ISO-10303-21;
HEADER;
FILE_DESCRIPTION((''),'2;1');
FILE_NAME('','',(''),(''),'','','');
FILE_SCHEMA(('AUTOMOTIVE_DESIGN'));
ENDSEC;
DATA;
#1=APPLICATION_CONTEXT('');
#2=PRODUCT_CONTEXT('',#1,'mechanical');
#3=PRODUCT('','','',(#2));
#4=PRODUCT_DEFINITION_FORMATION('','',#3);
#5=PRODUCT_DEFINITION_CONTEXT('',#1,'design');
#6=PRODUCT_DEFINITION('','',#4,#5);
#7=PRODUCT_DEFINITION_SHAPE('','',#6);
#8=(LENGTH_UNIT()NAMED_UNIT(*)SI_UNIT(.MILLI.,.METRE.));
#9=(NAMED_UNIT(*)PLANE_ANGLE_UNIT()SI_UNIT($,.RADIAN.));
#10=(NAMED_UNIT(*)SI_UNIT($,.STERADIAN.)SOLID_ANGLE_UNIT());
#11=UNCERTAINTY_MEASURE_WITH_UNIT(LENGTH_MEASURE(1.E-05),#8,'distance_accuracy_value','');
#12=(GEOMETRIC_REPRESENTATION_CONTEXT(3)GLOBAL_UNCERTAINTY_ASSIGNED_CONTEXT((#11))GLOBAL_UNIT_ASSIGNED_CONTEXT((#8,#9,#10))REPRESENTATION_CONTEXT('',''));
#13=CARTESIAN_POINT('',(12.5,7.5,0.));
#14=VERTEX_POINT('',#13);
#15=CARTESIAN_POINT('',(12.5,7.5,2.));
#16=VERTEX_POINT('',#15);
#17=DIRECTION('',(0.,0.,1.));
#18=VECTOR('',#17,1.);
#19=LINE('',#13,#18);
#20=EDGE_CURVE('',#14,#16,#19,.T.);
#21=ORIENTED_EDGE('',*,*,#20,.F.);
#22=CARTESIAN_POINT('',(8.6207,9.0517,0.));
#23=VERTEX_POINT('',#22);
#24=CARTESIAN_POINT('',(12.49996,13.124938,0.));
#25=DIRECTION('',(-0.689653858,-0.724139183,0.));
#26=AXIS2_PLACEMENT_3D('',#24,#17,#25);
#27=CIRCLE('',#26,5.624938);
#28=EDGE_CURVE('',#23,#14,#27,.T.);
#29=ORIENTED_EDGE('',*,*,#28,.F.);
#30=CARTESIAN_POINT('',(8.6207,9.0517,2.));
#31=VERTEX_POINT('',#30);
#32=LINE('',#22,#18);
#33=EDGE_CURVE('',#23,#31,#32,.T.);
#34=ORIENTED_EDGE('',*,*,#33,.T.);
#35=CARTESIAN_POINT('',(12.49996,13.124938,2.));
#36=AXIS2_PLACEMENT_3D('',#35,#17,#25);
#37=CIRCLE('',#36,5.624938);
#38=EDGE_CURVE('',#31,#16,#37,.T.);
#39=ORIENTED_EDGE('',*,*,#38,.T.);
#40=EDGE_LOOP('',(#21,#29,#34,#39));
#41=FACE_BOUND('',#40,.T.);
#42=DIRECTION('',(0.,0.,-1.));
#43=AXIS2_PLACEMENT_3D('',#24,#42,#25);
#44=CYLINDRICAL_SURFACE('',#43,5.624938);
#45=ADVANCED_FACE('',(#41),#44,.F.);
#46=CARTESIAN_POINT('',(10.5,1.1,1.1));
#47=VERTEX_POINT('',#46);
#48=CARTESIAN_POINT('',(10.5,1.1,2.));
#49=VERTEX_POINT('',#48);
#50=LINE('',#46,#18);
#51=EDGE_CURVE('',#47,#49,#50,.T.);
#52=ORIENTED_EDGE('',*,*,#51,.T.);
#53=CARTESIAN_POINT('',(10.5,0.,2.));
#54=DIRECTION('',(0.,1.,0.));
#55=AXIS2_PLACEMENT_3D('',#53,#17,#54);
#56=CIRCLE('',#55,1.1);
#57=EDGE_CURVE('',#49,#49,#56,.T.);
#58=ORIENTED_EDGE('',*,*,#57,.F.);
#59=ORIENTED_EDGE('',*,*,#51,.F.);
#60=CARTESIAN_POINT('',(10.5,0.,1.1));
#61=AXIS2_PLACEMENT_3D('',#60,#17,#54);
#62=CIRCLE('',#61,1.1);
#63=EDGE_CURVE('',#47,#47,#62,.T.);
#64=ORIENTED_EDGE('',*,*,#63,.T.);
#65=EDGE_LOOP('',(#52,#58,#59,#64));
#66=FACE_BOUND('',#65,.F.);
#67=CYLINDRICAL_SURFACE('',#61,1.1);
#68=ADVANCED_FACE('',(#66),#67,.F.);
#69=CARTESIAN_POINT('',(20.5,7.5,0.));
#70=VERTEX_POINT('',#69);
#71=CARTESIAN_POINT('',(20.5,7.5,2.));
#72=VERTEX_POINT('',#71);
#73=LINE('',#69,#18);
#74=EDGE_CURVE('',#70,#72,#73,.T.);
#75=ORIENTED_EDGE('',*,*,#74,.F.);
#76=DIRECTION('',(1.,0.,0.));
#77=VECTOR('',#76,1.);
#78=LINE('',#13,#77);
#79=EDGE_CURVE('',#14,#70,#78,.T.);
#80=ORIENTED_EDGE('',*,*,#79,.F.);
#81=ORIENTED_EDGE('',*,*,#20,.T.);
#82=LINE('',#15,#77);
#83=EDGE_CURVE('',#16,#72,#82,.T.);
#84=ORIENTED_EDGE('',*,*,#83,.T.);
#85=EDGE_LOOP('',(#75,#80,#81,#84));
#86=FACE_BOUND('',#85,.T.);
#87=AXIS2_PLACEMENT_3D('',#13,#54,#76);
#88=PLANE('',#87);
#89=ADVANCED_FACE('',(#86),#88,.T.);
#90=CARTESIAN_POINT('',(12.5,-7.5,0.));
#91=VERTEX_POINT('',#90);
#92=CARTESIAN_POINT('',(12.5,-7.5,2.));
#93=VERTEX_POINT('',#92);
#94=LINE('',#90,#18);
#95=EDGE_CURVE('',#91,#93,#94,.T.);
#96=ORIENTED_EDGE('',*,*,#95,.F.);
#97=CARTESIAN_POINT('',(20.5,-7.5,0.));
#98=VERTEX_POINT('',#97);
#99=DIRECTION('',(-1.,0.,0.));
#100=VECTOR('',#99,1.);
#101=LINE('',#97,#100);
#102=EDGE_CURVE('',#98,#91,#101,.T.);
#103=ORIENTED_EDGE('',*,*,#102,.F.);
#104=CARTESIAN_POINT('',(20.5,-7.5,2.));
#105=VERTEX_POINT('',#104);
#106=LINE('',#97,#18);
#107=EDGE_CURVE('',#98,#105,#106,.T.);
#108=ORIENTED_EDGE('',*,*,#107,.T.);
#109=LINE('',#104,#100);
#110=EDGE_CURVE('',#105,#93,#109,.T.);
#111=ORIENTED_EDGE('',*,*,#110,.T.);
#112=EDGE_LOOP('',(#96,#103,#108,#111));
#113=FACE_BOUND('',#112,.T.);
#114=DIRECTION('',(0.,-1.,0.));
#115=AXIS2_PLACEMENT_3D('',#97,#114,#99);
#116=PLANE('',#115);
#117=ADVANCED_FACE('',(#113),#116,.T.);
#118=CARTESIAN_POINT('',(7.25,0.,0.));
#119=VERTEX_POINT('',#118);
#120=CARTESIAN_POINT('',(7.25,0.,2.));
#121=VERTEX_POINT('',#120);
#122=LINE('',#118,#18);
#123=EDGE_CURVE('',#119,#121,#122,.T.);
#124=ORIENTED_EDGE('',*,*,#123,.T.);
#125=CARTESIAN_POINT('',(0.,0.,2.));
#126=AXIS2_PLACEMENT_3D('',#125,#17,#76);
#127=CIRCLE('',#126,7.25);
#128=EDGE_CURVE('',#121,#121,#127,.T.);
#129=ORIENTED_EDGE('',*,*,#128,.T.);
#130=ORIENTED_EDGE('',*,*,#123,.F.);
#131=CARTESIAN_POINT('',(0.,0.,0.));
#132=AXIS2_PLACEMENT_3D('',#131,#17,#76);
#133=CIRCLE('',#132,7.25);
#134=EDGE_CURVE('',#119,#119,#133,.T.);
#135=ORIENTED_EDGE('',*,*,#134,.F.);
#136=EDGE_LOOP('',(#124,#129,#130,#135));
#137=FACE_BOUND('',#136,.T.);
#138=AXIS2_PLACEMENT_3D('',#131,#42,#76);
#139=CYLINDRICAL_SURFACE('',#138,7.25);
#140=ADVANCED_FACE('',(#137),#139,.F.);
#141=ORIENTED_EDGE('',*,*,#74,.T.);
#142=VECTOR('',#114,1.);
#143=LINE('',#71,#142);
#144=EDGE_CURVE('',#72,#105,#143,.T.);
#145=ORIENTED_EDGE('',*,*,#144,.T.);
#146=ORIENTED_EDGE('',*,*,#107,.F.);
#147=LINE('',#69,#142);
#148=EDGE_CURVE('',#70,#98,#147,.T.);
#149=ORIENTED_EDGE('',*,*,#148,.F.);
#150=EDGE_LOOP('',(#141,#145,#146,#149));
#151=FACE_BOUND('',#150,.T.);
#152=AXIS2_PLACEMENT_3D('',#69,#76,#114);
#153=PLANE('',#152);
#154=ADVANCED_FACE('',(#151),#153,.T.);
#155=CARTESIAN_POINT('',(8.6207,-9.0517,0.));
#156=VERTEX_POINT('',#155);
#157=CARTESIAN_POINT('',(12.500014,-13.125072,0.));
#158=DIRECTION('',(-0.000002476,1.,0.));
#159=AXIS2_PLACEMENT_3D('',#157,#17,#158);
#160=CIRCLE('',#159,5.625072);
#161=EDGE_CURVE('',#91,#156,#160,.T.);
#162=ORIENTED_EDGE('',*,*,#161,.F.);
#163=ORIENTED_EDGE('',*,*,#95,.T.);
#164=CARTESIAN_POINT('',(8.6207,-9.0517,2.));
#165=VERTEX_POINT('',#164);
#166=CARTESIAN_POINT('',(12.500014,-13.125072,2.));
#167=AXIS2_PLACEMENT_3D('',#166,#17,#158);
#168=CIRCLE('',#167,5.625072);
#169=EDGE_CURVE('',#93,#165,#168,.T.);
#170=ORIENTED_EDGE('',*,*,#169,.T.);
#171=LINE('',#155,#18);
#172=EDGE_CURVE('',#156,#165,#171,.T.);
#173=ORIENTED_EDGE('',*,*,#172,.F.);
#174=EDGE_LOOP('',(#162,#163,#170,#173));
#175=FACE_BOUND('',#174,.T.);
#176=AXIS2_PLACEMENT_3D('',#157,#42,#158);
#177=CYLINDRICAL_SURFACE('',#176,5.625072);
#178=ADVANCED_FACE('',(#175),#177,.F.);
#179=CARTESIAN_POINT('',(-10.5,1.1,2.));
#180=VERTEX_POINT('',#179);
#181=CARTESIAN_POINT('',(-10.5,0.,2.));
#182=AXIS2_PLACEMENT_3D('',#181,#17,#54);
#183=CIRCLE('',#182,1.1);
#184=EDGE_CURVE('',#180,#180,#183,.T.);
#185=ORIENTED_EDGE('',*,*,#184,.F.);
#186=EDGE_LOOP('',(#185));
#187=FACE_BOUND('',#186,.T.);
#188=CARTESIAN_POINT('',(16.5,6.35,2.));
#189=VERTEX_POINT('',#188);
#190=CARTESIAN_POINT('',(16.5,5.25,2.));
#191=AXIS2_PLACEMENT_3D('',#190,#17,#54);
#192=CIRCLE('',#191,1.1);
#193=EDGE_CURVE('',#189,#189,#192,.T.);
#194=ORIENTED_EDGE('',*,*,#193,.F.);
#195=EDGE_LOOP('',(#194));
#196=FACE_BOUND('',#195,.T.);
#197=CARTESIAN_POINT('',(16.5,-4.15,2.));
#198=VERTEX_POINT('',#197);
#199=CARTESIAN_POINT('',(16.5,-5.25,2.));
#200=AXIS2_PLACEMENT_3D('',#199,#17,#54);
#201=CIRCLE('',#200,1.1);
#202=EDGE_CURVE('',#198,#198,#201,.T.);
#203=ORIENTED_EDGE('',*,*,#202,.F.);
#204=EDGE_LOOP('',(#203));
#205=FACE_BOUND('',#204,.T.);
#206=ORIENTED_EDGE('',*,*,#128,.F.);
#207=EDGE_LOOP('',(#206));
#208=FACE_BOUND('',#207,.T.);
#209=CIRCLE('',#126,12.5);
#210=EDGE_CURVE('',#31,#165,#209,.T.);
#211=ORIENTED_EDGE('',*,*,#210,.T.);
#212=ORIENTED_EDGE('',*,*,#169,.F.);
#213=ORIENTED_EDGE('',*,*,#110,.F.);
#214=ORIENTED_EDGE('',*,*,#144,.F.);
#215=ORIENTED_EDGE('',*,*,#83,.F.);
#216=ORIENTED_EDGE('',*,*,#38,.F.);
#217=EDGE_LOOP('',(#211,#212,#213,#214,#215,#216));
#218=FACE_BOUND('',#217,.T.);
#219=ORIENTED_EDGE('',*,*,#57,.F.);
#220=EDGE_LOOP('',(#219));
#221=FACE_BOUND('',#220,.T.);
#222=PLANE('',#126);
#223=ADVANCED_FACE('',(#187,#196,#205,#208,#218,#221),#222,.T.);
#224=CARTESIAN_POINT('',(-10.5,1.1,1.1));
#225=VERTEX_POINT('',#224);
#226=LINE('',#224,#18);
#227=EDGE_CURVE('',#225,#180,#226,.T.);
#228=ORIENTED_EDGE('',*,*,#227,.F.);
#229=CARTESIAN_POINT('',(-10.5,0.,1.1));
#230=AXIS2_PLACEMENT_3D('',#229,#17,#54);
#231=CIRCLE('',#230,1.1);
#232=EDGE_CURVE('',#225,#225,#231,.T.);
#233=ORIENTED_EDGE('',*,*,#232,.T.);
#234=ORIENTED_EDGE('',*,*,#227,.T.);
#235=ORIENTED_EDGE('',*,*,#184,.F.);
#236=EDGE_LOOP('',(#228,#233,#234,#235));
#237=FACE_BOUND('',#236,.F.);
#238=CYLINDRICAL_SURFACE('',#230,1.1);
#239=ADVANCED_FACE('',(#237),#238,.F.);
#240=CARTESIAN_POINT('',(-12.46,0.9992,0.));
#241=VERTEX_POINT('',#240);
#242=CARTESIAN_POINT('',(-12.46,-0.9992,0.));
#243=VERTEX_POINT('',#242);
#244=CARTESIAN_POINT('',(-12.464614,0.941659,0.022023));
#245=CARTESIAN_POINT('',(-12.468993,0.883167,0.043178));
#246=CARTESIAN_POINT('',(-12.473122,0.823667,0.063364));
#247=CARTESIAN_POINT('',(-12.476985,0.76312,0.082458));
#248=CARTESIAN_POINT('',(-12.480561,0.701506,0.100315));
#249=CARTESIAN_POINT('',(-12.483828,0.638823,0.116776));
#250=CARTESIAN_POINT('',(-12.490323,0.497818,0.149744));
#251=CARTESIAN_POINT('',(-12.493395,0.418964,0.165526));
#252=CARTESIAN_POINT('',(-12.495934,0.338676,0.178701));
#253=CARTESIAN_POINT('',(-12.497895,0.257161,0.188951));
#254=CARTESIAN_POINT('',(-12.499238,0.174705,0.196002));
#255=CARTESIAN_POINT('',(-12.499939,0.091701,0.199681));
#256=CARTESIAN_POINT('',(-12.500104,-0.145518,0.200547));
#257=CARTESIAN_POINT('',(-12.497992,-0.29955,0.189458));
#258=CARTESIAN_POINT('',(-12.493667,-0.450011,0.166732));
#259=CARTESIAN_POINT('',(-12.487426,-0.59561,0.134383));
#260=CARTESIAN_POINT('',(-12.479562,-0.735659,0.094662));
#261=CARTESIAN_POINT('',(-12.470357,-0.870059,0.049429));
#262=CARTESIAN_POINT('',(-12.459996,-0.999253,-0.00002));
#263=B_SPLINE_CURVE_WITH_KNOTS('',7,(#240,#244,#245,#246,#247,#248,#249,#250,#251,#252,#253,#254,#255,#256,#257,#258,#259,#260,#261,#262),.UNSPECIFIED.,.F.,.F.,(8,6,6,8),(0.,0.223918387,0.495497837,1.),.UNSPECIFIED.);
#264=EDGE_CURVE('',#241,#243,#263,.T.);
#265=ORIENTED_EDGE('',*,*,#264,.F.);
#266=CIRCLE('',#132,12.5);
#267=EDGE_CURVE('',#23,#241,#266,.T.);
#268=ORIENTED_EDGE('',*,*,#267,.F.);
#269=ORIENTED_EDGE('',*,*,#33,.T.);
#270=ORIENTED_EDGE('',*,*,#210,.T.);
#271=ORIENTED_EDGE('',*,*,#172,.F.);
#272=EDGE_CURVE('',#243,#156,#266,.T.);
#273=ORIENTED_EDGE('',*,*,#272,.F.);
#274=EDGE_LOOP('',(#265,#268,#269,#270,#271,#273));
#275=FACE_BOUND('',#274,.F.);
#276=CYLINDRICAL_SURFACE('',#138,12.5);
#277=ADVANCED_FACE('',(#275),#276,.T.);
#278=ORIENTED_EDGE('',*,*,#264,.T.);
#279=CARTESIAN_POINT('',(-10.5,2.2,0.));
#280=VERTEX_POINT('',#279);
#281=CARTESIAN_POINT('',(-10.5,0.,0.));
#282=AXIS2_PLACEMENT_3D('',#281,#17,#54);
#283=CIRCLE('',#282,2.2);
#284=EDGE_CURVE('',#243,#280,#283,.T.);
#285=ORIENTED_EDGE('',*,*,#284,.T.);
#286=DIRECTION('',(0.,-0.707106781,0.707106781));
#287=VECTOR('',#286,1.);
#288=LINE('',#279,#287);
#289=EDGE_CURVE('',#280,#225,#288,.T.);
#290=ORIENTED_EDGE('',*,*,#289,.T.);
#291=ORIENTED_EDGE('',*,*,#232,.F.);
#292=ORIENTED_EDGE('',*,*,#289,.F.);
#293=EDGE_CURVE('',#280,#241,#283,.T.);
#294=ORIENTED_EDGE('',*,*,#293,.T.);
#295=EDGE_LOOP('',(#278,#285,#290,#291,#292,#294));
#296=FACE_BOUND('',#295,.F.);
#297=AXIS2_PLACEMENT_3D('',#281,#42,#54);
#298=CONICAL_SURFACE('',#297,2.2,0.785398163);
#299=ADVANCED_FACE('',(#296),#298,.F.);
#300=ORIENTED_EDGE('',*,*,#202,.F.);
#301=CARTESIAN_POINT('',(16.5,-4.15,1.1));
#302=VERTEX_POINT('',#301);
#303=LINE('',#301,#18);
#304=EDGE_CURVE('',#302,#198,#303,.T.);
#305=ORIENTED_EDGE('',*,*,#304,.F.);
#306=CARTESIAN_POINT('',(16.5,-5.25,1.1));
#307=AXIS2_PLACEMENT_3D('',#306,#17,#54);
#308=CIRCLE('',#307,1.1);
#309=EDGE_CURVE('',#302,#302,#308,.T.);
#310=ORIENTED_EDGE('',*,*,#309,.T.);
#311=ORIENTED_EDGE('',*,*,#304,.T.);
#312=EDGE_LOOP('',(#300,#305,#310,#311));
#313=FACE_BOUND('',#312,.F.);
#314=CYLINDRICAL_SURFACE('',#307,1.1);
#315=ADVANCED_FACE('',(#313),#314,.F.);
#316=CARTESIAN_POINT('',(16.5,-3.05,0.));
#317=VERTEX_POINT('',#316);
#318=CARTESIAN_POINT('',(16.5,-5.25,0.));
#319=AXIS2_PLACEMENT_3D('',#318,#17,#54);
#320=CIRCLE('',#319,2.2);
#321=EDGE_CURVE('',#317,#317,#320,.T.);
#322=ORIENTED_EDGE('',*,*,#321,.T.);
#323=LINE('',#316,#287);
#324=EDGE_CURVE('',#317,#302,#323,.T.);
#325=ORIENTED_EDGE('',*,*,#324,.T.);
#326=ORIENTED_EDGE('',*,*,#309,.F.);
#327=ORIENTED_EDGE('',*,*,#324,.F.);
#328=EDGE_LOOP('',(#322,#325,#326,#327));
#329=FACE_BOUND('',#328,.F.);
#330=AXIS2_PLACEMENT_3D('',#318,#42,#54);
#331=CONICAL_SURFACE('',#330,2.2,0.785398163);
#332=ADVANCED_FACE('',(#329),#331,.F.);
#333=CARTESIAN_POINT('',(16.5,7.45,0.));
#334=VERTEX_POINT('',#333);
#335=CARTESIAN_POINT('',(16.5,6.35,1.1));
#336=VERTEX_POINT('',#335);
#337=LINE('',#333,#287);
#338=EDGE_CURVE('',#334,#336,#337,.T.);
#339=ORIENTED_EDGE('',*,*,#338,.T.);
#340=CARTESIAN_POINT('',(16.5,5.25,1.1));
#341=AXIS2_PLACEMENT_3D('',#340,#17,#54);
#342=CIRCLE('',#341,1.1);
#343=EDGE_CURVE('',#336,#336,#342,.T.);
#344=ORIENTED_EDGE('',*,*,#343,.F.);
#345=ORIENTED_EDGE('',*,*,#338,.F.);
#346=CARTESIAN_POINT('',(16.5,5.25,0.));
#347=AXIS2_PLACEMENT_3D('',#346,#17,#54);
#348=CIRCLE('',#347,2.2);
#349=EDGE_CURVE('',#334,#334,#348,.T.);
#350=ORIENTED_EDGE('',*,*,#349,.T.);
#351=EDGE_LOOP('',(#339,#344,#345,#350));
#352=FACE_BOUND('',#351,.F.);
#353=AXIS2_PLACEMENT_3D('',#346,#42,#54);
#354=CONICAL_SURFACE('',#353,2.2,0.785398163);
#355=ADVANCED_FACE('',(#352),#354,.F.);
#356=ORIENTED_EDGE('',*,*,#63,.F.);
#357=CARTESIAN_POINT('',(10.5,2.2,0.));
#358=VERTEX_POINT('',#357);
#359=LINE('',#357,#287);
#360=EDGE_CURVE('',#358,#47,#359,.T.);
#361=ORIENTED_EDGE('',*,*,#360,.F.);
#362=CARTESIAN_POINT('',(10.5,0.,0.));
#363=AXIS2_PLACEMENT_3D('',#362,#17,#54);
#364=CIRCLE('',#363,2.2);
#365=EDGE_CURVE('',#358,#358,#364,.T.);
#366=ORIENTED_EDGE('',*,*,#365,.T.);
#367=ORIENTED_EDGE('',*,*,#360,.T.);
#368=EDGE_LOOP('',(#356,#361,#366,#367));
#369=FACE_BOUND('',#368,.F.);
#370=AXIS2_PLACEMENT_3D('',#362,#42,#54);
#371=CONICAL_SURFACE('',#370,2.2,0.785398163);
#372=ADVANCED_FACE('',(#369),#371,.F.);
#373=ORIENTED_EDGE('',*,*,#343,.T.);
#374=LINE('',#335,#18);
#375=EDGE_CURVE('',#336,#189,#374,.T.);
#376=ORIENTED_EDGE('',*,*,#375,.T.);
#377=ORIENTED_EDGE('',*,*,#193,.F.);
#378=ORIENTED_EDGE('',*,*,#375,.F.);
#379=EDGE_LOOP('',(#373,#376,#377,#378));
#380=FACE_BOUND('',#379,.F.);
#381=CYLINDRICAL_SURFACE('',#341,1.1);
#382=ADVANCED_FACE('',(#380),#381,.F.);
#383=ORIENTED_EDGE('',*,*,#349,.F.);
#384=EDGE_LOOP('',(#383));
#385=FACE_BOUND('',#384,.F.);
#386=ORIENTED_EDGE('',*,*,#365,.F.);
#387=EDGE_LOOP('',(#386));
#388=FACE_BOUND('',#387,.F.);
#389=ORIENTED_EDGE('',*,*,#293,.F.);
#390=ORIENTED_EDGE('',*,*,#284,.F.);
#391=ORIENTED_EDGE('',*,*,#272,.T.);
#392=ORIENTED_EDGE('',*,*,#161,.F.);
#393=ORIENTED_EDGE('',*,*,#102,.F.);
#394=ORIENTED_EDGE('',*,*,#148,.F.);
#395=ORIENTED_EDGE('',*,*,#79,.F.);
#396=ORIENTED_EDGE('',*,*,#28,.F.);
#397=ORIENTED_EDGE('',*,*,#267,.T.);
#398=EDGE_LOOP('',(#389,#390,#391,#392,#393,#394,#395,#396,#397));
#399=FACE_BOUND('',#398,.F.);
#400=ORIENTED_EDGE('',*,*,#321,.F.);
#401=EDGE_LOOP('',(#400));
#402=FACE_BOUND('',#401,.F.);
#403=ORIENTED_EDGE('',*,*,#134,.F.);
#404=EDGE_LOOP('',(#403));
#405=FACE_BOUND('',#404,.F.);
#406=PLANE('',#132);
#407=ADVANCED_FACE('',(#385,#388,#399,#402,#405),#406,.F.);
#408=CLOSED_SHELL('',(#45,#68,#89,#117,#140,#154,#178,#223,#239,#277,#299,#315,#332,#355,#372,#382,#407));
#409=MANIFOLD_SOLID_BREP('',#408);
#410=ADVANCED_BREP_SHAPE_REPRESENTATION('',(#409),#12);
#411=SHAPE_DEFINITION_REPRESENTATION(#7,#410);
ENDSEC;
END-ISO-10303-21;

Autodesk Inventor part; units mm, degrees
ref_plane "YZ Plane" through (0, 0, 0) normal (1, 0, 0) x (0, 1, 0)
ref_plane "XZ Plane" through (0, 0, 0) normal (0, 1, 0) x (-1, 0, 0)
ref_plane "XY Plane" through (0, 0, 0) normal (0, 0, 1) x (1, 0, 0)
sketch "Skizze1" plane through (0, 0, 0) normal (0, 0, 1) x (1, 0, 0)
  line L0 (0, 0) -> (20.5, 0) construction
  circle A0 centre (0, 0) radius 7.25
  arc A1 (8.6207, 9.0517) -> (12.5, 7.5) centre (12.5, 13.125) ccw
  arc A2 (12.5, -7.5) -> (8.6207, -9.0517) centre (12.5, -13.125) ccw
  line L1 (12.5, 7.5) -> (20.5, 7.5)
  line L2 (20.5, 7.5) -> (20.5, -7.5)
  line L3 (20.5, -7.5) -> (12.5, -7.5)
  line L4 (12.5, -7.5) -> (12.5, 7.5) construction
  circle A3 centre (0, 0) radius 10.5 construction
  line L5 (0, 0) -> (-10.5, 0) construction
  line L6 (16.5, 5.25) -> (16.5, -5.25) construction
  line L7 (16.5, 7.5) -> (16.5, -7.5) construction
  circle A4 centre (0, 0) radius 12.5
  point P0 (12.5, 0)
  point P1 (10.5, 0)
  point P2 (16.5, 0)
  dimension "d105" = 14.5
  dimension "d106" = 15
  dimension "LowerArm_ShaftFixation_Width" = 8
  dimension "d127" = 21
  dimension "d130" = 360
  dimension "d132" = 10.5
  dimension "d150" = 25
extrude "Grundprofil" add sketch "Skizze1" along normal blind 2
hole "Hole10" at (10.5, 0, 0) at (-10.5, 0, 0) direction (0, 0, 1) diameter 2.2 depth 12 tip angle 118 countersink diameter 4.4 countersink angle 90 clearance for "Countersunk Flat Head Screw DIN EN ISO 2009" size "M2" standard "DIN"
hole "Hole11" at (16.5, 5.25, 0) at (16.5, -5.25, 0) direction (0, 0, 1) diameter 2.2 depth 3 tip angle 118 countersink diameter 4.4 countersink angle 90 clearance for "Countersunk Raised Head Screw ISO 2010/7047" size "M2" standard "ISO"
properties part number "Lower_Arm_v4" material "Aluminum 6061"
